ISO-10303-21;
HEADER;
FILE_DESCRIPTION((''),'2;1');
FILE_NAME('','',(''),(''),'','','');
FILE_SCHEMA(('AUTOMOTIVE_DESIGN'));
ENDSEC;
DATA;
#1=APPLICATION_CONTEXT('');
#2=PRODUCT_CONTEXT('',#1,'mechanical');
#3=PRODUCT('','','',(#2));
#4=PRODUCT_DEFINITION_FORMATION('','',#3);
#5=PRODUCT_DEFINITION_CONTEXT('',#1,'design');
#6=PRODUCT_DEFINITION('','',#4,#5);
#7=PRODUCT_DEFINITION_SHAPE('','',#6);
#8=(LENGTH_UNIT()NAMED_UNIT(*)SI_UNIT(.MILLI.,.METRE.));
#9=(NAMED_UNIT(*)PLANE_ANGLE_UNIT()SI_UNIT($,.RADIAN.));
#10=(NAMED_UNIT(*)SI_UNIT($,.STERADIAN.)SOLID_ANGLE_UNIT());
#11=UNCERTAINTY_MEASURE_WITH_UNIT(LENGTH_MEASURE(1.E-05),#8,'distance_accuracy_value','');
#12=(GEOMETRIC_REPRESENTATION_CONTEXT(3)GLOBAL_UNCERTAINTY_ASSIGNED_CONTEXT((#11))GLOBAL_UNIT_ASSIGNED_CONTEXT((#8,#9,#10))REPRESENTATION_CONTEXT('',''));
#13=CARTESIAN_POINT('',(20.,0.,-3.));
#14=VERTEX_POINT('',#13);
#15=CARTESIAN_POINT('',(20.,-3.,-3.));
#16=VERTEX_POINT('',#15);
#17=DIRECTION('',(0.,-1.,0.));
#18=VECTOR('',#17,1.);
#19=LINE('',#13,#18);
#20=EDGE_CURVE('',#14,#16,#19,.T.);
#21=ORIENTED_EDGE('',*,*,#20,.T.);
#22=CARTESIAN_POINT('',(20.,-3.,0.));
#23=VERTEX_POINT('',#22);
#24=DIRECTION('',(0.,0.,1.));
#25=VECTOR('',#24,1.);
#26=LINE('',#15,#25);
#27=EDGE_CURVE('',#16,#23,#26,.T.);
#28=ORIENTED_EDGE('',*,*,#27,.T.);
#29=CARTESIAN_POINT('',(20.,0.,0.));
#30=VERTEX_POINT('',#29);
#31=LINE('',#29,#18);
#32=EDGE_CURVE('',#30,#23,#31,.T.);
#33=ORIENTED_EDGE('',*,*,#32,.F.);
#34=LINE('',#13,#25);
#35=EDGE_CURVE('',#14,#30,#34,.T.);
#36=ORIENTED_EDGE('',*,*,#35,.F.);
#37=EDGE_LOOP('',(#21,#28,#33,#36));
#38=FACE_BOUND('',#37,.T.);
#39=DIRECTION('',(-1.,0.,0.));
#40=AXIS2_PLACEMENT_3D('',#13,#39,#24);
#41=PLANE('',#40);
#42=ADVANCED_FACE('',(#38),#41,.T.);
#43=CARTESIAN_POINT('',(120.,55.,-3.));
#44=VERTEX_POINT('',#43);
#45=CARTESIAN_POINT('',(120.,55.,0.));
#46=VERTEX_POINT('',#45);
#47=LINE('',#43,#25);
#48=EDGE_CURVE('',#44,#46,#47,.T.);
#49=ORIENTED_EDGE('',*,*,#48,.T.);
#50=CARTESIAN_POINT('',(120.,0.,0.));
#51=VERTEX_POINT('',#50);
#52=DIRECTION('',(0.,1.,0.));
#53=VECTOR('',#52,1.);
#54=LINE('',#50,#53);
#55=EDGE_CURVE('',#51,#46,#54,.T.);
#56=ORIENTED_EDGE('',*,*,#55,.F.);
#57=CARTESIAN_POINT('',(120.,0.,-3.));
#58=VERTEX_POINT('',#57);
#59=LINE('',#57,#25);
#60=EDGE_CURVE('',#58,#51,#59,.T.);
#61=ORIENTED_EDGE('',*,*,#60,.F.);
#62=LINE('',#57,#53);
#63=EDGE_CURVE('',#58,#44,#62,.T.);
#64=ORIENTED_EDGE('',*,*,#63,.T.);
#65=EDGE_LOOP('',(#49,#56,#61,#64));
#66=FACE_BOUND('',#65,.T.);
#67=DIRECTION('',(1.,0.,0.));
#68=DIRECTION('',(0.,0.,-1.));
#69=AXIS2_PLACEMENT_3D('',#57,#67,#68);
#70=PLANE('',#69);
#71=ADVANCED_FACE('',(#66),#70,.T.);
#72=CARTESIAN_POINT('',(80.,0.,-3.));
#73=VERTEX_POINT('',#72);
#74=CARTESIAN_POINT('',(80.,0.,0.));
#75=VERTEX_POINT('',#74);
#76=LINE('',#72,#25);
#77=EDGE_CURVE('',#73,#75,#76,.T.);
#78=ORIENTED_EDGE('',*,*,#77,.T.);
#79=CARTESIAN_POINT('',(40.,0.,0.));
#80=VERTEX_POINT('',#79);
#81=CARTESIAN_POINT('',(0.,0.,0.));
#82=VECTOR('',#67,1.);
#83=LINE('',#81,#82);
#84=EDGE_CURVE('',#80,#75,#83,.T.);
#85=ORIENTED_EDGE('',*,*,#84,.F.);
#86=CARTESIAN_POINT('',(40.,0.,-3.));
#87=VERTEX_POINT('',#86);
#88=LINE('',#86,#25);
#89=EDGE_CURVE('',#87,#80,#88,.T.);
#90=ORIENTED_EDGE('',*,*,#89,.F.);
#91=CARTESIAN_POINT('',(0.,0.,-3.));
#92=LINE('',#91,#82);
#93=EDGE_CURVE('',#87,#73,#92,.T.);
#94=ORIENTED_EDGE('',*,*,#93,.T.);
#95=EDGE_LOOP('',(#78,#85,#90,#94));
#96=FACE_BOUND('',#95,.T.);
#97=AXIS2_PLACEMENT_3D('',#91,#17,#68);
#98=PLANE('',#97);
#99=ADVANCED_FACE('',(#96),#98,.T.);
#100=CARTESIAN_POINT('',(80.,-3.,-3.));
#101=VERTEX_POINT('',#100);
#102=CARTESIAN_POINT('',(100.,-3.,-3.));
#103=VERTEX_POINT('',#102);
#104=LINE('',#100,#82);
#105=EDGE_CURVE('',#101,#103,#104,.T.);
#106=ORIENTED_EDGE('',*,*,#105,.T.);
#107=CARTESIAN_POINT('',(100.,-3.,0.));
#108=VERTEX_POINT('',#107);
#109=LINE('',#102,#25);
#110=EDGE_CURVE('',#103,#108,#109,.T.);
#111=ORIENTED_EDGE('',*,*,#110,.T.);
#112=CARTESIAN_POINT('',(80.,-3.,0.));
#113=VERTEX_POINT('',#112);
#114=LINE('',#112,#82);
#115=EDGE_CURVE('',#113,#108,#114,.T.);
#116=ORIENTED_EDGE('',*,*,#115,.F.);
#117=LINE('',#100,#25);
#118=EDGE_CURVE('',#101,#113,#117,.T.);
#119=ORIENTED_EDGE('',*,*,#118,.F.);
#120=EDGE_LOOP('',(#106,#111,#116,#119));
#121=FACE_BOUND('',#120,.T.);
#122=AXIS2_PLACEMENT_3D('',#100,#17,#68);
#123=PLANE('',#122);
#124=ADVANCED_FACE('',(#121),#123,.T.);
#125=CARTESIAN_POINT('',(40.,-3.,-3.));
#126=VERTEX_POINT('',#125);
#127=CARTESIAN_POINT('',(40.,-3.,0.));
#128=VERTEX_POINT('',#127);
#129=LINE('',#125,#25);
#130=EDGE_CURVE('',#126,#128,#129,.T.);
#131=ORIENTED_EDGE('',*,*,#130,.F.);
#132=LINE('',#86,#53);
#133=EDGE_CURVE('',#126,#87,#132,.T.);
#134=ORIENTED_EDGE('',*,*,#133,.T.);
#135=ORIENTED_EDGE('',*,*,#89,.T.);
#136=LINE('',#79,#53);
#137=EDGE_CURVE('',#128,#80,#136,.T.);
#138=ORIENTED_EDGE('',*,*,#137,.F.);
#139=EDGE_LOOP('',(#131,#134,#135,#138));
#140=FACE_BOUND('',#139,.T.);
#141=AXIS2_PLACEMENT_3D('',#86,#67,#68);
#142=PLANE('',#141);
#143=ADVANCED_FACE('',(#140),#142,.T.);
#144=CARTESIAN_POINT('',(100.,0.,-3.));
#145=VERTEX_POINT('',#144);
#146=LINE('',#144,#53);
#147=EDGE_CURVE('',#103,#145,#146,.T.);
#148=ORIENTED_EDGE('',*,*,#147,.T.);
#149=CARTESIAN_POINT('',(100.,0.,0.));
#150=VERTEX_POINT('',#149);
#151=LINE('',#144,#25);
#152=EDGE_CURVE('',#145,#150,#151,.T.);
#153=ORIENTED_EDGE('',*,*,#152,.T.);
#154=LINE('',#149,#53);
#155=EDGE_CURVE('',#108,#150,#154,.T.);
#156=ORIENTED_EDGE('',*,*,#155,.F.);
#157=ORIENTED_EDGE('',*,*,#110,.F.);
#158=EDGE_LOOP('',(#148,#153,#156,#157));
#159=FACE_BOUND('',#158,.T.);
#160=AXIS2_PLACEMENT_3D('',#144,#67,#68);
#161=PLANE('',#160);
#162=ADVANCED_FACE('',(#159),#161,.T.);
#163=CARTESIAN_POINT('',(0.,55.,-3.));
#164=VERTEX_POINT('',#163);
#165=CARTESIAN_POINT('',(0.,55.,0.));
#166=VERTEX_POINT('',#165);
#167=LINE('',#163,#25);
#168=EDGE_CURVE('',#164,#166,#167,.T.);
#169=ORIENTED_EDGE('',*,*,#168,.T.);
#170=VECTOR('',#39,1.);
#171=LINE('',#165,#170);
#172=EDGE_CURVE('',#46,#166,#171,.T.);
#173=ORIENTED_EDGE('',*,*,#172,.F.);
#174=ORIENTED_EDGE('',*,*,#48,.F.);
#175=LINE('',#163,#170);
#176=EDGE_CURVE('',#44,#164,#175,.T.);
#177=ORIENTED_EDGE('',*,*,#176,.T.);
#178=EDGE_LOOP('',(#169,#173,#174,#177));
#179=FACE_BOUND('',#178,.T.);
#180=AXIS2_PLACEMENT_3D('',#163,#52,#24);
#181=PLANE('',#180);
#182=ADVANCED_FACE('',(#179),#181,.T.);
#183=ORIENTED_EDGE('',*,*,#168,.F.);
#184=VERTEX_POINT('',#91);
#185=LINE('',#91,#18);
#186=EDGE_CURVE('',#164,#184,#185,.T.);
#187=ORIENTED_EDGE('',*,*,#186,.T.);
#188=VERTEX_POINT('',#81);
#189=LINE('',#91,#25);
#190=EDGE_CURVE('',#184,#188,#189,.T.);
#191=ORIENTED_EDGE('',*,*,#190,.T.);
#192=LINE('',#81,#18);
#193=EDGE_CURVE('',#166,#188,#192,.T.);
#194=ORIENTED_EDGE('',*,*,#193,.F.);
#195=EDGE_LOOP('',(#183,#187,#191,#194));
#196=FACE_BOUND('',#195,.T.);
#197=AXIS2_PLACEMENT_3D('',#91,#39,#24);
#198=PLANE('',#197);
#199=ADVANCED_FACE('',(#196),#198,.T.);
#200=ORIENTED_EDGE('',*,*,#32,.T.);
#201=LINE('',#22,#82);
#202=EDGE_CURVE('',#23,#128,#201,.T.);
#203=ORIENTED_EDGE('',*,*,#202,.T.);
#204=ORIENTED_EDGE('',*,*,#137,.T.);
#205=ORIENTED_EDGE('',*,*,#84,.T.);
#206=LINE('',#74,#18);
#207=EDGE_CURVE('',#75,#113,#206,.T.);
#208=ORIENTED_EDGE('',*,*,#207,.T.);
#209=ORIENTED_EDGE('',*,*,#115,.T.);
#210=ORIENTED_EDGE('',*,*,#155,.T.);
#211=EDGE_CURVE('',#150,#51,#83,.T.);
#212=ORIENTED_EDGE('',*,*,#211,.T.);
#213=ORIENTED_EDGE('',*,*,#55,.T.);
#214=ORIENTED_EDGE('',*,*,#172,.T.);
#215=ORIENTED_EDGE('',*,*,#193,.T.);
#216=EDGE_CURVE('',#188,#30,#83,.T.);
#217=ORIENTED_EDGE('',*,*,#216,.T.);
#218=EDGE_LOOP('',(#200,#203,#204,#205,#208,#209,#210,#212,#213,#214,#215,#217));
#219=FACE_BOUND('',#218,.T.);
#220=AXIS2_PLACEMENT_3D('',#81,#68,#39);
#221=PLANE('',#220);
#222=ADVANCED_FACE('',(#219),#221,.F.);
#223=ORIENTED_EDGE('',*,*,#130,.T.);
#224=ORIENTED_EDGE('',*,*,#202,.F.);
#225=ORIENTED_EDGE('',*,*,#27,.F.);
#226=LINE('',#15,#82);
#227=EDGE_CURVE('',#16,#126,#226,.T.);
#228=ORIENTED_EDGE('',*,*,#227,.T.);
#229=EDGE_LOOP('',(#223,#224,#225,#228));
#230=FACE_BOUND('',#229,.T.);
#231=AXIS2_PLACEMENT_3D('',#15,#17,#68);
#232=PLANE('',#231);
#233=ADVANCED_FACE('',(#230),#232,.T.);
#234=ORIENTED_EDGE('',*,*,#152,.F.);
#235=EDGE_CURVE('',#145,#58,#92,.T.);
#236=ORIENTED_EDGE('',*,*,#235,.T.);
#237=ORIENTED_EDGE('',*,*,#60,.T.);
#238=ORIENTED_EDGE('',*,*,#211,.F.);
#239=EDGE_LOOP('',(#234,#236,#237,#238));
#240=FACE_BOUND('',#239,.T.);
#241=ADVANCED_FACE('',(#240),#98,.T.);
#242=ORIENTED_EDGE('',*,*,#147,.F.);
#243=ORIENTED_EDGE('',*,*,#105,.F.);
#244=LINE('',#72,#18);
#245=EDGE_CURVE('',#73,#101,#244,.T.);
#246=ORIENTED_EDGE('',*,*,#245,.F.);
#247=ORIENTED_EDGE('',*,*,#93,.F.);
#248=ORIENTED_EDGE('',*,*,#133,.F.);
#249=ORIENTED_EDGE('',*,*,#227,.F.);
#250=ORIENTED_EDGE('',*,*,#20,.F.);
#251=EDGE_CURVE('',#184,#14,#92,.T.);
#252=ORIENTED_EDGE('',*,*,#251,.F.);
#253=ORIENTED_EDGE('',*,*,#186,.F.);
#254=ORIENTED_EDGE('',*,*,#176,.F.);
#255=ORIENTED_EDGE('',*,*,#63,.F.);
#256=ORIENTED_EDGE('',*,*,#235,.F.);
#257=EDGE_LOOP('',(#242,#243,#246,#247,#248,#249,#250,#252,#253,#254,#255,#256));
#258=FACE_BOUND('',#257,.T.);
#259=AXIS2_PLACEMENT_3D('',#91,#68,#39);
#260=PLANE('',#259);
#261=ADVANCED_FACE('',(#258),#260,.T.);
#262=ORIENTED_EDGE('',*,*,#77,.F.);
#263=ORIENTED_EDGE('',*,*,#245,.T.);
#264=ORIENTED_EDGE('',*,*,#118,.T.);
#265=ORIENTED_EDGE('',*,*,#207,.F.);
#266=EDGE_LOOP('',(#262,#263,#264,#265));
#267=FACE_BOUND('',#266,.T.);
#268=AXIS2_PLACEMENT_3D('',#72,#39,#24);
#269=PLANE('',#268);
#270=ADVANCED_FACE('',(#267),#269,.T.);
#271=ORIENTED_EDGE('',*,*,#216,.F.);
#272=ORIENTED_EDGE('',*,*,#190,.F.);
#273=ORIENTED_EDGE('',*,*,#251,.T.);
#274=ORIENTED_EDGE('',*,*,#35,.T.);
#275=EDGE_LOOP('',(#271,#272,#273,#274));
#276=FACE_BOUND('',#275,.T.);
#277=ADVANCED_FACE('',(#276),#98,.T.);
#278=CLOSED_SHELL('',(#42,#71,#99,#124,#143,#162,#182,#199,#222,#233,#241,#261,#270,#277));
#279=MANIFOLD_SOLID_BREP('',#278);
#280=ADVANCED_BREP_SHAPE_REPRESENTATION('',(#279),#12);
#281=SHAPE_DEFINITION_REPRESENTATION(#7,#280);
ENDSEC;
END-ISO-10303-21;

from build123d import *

# Parameters (mm, degrees)
SKETCH1_W           = 120
SKETCH1_H           = 55
BOSS_EXTRUDE1_DEPTH = 3
SKETCH2_W           = 20
SKETCH2_H           = 3
BOSS_EXTRUDE2_DEPTH = 3


with BuildPart() as part:
    # Sketch1 → Boss-Extrude1 (new body)
    with BuildSketch(Plane.XY):
        with Locations((60, 27.5)):
            Rectangle(SKETCH1_W, SKETCH1_H)
    extrude(amount=-BOSS_EXTRUDE1_DEPTH)

    # Sketch2 → Boss-Extrude2 (add)
    with BuildSketch(Plane.XY):
        with Locations((30, -1.5)):
            Rectangle(SKETCH2_W, SKETCH2_H)
        with Locations((90, -1.5)):
            Rectangle(SKETCH2_W, SKETCH2_H)
    extrude(amount=-BOSS_EXTRUDE2_DEPTH)


solid = part.part
